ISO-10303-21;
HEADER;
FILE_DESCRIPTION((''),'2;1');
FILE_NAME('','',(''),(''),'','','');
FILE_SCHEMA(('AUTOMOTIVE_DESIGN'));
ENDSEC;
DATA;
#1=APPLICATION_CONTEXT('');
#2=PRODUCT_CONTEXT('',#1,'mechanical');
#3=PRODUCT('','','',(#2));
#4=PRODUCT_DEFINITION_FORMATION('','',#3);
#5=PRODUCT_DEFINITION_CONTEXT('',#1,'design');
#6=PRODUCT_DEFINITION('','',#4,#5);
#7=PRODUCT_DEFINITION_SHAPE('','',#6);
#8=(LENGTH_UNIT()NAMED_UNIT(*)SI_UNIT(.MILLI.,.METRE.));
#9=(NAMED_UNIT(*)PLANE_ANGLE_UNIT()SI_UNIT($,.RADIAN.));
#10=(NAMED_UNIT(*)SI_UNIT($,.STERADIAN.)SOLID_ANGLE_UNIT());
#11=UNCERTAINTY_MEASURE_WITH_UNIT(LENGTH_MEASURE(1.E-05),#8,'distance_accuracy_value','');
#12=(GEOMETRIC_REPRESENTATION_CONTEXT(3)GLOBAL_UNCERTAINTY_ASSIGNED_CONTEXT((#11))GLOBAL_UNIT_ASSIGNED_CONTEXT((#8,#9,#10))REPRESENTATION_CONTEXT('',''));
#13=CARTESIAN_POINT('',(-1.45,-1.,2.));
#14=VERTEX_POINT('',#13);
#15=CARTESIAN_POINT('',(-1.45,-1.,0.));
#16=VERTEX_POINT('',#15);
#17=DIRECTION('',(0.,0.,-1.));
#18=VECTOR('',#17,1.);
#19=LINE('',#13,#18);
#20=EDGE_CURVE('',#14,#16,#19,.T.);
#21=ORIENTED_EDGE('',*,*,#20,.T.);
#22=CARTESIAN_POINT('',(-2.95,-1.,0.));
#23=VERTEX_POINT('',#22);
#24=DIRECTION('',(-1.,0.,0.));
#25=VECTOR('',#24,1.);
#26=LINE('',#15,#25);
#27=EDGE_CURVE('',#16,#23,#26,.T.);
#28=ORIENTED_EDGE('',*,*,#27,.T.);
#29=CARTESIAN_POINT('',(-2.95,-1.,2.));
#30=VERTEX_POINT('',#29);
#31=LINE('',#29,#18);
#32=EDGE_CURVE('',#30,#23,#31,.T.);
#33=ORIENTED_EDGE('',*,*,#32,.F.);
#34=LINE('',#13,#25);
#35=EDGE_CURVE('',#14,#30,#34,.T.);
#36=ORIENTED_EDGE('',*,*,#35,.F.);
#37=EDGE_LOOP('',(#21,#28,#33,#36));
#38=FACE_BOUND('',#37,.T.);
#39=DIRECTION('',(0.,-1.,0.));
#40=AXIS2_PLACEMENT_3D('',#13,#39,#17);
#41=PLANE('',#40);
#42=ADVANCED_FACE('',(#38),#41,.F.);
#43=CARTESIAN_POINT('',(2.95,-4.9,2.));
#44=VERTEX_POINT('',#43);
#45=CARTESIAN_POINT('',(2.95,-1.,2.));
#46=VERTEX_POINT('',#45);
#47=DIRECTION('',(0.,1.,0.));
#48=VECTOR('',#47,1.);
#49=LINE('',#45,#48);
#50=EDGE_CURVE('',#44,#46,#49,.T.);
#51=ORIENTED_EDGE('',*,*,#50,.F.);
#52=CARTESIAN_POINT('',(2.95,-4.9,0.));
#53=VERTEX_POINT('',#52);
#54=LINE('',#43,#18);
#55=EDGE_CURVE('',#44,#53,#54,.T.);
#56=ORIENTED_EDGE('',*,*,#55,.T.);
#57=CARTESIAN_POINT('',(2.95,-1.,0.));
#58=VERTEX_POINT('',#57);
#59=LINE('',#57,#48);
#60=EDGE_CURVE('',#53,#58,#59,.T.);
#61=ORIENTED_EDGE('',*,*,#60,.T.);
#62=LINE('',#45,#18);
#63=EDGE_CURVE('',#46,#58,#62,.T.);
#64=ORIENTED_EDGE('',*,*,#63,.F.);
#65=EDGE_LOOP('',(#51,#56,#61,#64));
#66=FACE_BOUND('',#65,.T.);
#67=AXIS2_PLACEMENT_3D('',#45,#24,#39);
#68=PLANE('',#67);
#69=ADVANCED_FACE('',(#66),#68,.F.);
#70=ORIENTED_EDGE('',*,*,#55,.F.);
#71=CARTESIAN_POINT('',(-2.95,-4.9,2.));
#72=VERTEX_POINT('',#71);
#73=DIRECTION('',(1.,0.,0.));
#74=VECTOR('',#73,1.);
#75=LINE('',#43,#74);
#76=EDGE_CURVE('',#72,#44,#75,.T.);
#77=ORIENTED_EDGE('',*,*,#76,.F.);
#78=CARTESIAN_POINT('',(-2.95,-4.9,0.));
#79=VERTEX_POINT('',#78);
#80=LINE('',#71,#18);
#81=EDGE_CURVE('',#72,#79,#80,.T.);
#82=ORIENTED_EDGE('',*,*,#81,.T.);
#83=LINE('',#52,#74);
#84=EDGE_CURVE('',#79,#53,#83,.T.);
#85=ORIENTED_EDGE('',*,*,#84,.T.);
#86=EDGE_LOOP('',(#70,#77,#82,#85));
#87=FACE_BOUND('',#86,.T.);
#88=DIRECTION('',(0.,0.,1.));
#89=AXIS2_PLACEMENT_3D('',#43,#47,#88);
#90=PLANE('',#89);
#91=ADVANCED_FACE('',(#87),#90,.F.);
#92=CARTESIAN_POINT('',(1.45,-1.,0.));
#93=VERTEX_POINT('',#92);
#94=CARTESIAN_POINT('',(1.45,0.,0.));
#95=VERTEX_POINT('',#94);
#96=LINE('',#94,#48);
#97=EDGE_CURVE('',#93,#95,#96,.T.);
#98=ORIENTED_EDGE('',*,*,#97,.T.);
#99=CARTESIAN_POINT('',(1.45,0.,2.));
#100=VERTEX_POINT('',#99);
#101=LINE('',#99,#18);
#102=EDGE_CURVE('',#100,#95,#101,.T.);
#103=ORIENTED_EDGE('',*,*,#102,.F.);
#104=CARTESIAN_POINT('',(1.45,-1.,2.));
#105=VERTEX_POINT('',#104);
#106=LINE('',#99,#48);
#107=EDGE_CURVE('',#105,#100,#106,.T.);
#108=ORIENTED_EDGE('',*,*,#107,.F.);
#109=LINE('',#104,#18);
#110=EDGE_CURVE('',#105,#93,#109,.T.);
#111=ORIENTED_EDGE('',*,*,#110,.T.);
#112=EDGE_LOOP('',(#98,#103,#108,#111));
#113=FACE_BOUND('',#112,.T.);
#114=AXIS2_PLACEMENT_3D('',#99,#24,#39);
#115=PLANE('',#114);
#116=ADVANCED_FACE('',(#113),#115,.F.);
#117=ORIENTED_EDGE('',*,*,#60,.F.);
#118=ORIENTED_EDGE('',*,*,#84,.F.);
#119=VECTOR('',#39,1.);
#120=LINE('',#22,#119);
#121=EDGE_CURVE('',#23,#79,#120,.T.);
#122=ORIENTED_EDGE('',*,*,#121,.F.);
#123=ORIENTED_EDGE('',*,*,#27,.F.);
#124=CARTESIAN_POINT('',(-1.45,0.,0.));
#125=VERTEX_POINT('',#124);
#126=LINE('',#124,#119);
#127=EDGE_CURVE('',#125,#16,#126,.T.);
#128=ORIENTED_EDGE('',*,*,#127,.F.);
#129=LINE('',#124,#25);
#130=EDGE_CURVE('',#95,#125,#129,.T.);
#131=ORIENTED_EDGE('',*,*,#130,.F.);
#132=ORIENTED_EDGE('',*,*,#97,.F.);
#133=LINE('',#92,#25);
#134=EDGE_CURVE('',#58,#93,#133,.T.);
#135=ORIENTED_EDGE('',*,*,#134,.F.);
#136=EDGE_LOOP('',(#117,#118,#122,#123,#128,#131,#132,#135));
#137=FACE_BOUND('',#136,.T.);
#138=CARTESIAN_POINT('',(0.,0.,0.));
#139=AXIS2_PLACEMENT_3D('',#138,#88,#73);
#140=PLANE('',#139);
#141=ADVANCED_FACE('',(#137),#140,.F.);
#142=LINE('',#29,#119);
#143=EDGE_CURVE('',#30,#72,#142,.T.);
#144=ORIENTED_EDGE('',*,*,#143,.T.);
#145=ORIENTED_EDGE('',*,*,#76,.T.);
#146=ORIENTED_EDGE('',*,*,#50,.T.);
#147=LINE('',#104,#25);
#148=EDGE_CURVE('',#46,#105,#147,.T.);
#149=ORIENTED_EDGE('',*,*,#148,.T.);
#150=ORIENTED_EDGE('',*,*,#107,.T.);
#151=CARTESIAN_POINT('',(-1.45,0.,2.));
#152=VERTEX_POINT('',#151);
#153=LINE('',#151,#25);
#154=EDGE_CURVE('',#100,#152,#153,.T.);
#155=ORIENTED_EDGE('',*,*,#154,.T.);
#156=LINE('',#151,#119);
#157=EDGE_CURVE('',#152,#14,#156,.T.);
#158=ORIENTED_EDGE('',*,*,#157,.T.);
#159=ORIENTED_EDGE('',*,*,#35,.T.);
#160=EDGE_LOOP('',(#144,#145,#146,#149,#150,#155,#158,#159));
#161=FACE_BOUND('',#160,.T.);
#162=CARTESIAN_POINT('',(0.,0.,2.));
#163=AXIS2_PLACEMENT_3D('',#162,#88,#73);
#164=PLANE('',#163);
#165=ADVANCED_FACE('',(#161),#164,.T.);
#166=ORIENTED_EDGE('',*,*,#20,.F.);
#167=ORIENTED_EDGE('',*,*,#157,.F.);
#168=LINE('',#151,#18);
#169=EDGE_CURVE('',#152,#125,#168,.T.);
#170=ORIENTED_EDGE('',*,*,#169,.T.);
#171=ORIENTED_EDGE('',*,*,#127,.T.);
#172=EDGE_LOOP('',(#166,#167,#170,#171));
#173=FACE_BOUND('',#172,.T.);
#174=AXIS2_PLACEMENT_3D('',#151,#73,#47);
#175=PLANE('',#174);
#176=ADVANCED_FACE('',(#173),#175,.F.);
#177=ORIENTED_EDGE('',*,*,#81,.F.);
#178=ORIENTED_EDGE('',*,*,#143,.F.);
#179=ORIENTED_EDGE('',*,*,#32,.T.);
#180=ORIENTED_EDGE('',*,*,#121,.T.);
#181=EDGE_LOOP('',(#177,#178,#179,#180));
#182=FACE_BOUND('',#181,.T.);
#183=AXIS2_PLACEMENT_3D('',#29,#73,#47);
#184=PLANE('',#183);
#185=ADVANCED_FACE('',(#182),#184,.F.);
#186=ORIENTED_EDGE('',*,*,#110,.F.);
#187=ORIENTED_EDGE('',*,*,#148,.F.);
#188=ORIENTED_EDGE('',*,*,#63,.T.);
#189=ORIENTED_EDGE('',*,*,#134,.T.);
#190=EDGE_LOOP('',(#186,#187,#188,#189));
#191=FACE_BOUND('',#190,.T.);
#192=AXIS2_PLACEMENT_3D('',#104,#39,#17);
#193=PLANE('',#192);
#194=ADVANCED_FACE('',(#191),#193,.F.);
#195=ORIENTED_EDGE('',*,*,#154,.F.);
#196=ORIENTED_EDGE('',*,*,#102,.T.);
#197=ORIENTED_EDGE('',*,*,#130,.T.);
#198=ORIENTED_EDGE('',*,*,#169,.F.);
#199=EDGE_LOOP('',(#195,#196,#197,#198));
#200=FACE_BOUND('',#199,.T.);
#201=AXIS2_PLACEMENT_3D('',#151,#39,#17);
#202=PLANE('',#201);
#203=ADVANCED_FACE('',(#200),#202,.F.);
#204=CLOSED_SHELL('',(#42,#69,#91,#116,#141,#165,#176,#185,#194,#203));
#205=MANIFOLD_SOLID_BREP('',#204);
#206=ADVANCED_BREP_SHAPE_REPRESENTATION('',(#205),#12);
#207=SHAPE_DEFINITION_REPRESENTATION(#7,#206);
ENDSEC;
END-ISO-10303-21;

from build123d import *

# Parameters (mm, degrees)
BOSS_EXTRUDE1_DEPTH = 2


with BuildPart() as part:
    # Sketch1 → Boss-Extrude1 (new body)
    with BuildSketch(Plane.XY):
        Polygon((-1.45, 0), (1.45, 0), (1.45, -1), (2.95, -1), (2.95, -4.9), (-2.95, -4.9), (-2.95, -1), (-1.45, -1), align=None)
    extrude(amount=BOSS_EXTRUDE1_DEPTH)


solid = part.part
